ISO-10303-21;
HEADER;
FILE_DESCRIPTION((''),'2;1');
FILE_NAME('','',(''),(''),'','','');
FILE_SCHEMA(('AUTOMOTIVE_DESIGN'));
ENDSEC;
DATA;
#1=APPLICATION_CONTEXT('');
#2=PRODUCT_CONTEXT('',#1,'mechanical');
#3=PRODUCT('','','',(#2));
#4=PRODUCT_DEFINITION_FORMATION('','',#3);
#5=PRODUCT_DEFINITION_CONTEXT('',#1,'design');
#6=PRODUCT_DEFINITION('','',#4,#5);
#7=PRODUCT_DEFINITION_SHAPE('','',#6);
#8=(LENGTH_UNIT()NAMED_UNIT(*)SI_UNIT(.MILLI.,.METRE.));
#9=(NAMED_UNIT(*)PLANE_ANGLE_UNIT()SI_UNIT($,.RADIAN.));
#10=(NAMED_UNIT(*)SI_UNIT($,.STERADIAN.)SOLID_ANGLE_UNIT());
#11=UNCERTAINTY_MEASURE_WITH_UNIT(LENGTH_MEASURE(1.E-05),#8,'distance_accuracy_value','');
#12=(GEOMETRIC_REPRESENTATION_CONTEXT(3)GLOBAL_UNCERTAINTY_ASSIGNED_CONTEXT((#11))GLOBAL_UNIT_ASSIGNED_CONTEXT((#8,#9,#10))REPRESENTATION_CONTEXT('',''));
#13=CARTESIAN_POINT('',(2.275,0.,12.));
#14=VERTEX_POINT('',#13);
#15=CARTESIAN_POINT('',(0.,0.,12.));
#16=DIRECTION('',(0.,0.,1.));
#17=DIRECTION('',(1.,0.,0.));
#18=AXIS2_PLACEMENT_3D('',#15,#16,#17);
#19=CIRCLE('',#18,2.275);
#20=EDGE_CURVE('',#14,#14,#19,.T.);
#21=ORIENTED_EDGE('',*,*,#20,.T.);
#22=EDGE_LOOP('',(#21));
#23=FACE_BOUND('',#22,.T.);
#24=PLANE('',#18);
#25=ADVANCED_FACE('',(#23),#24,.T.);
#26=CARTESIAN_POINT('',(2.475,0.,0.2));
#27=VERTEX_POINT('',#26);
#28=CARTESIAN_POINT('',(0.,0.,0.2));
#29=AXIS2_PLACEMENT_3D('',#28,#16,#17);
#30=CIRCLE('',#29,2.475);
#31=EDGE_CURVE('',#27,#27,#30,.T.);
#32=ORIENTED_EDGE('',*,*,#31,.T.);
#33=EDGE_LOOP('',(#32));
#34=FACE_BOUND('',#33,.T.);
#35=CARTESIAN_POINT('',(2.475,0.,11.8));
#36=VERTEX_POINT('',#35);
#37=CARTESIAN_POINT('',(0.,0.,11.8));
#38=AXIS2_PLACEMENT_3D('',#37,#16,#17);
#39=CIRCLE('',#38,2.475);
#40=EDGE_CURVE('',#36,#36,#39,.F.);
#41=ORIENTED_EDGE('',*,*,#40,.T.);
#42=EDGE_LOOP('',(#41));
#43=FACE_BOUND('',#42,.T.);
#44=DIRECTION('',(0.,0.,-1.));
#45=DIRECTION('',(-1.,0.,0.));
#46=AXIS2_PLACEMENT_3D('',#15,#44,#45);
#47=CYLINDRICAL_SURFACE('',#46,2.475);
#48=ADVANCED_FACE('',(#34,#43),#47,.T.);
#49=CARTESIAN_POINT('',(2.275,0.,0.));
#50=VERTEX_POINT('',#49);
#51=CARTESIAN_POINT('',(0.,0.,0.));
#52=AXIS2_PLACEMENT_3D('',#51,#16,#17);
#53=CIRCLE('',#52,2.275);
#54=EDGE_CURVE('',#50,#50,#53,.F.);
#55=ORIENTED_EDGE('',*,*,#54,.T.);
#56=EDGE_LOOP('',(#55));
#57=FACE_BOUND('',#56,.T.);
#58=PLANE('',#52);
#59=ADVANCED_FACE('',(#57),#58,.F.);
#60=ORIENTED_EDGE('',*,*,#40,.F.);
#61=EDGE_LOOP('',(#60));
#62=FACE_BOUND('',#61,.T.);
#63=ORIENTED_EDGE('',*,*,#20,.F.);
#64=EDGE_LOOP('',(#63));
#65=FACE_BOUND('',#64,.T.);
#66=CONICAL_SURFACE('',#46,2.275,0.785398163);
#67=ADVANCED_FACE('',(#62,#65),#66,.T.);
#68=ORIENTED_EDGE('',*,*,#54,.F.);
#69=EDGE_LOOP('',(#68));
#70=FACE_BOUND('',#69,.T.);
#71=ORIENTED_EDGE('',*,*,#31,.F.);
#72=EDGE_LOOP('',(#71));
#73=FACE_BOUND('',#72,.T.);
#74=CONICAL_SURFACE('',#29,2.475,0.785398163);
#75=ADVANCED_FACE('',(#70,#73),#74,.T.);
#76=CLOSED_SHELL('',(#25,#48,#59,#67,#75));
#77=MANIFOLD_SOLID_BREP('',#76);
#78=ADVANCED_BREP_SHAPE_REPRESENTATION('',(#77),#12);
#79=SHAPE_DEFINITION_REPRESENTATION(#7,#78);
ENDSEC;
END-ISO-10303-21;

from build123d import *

# Parameters (mm, degrees)
SKETCH_1_R      = 2.475
EXTRUDE_1_DEPTH = 12
CHAMFER_1_SIZE  = 0.2


with BuildPart() as part:
    # 스케치1 → 보스-돌출1 (new body)
    with BuildSketch(Plane.XY):
        Circle(SKETCH_1_R)
    extrude(amount=EXTRUDE_1_DEPTH)

    # 모따기1
    chamfer_1_edges = [part.edges().sort_by_distance(p)[0] for p in [
        (-2.475, 0, 0),
        (-2.475, 0, 12),
    ]]
    chamfer(chamfer_1_edges, length=CHAMFER_1_SIZE)


solid = part.part
